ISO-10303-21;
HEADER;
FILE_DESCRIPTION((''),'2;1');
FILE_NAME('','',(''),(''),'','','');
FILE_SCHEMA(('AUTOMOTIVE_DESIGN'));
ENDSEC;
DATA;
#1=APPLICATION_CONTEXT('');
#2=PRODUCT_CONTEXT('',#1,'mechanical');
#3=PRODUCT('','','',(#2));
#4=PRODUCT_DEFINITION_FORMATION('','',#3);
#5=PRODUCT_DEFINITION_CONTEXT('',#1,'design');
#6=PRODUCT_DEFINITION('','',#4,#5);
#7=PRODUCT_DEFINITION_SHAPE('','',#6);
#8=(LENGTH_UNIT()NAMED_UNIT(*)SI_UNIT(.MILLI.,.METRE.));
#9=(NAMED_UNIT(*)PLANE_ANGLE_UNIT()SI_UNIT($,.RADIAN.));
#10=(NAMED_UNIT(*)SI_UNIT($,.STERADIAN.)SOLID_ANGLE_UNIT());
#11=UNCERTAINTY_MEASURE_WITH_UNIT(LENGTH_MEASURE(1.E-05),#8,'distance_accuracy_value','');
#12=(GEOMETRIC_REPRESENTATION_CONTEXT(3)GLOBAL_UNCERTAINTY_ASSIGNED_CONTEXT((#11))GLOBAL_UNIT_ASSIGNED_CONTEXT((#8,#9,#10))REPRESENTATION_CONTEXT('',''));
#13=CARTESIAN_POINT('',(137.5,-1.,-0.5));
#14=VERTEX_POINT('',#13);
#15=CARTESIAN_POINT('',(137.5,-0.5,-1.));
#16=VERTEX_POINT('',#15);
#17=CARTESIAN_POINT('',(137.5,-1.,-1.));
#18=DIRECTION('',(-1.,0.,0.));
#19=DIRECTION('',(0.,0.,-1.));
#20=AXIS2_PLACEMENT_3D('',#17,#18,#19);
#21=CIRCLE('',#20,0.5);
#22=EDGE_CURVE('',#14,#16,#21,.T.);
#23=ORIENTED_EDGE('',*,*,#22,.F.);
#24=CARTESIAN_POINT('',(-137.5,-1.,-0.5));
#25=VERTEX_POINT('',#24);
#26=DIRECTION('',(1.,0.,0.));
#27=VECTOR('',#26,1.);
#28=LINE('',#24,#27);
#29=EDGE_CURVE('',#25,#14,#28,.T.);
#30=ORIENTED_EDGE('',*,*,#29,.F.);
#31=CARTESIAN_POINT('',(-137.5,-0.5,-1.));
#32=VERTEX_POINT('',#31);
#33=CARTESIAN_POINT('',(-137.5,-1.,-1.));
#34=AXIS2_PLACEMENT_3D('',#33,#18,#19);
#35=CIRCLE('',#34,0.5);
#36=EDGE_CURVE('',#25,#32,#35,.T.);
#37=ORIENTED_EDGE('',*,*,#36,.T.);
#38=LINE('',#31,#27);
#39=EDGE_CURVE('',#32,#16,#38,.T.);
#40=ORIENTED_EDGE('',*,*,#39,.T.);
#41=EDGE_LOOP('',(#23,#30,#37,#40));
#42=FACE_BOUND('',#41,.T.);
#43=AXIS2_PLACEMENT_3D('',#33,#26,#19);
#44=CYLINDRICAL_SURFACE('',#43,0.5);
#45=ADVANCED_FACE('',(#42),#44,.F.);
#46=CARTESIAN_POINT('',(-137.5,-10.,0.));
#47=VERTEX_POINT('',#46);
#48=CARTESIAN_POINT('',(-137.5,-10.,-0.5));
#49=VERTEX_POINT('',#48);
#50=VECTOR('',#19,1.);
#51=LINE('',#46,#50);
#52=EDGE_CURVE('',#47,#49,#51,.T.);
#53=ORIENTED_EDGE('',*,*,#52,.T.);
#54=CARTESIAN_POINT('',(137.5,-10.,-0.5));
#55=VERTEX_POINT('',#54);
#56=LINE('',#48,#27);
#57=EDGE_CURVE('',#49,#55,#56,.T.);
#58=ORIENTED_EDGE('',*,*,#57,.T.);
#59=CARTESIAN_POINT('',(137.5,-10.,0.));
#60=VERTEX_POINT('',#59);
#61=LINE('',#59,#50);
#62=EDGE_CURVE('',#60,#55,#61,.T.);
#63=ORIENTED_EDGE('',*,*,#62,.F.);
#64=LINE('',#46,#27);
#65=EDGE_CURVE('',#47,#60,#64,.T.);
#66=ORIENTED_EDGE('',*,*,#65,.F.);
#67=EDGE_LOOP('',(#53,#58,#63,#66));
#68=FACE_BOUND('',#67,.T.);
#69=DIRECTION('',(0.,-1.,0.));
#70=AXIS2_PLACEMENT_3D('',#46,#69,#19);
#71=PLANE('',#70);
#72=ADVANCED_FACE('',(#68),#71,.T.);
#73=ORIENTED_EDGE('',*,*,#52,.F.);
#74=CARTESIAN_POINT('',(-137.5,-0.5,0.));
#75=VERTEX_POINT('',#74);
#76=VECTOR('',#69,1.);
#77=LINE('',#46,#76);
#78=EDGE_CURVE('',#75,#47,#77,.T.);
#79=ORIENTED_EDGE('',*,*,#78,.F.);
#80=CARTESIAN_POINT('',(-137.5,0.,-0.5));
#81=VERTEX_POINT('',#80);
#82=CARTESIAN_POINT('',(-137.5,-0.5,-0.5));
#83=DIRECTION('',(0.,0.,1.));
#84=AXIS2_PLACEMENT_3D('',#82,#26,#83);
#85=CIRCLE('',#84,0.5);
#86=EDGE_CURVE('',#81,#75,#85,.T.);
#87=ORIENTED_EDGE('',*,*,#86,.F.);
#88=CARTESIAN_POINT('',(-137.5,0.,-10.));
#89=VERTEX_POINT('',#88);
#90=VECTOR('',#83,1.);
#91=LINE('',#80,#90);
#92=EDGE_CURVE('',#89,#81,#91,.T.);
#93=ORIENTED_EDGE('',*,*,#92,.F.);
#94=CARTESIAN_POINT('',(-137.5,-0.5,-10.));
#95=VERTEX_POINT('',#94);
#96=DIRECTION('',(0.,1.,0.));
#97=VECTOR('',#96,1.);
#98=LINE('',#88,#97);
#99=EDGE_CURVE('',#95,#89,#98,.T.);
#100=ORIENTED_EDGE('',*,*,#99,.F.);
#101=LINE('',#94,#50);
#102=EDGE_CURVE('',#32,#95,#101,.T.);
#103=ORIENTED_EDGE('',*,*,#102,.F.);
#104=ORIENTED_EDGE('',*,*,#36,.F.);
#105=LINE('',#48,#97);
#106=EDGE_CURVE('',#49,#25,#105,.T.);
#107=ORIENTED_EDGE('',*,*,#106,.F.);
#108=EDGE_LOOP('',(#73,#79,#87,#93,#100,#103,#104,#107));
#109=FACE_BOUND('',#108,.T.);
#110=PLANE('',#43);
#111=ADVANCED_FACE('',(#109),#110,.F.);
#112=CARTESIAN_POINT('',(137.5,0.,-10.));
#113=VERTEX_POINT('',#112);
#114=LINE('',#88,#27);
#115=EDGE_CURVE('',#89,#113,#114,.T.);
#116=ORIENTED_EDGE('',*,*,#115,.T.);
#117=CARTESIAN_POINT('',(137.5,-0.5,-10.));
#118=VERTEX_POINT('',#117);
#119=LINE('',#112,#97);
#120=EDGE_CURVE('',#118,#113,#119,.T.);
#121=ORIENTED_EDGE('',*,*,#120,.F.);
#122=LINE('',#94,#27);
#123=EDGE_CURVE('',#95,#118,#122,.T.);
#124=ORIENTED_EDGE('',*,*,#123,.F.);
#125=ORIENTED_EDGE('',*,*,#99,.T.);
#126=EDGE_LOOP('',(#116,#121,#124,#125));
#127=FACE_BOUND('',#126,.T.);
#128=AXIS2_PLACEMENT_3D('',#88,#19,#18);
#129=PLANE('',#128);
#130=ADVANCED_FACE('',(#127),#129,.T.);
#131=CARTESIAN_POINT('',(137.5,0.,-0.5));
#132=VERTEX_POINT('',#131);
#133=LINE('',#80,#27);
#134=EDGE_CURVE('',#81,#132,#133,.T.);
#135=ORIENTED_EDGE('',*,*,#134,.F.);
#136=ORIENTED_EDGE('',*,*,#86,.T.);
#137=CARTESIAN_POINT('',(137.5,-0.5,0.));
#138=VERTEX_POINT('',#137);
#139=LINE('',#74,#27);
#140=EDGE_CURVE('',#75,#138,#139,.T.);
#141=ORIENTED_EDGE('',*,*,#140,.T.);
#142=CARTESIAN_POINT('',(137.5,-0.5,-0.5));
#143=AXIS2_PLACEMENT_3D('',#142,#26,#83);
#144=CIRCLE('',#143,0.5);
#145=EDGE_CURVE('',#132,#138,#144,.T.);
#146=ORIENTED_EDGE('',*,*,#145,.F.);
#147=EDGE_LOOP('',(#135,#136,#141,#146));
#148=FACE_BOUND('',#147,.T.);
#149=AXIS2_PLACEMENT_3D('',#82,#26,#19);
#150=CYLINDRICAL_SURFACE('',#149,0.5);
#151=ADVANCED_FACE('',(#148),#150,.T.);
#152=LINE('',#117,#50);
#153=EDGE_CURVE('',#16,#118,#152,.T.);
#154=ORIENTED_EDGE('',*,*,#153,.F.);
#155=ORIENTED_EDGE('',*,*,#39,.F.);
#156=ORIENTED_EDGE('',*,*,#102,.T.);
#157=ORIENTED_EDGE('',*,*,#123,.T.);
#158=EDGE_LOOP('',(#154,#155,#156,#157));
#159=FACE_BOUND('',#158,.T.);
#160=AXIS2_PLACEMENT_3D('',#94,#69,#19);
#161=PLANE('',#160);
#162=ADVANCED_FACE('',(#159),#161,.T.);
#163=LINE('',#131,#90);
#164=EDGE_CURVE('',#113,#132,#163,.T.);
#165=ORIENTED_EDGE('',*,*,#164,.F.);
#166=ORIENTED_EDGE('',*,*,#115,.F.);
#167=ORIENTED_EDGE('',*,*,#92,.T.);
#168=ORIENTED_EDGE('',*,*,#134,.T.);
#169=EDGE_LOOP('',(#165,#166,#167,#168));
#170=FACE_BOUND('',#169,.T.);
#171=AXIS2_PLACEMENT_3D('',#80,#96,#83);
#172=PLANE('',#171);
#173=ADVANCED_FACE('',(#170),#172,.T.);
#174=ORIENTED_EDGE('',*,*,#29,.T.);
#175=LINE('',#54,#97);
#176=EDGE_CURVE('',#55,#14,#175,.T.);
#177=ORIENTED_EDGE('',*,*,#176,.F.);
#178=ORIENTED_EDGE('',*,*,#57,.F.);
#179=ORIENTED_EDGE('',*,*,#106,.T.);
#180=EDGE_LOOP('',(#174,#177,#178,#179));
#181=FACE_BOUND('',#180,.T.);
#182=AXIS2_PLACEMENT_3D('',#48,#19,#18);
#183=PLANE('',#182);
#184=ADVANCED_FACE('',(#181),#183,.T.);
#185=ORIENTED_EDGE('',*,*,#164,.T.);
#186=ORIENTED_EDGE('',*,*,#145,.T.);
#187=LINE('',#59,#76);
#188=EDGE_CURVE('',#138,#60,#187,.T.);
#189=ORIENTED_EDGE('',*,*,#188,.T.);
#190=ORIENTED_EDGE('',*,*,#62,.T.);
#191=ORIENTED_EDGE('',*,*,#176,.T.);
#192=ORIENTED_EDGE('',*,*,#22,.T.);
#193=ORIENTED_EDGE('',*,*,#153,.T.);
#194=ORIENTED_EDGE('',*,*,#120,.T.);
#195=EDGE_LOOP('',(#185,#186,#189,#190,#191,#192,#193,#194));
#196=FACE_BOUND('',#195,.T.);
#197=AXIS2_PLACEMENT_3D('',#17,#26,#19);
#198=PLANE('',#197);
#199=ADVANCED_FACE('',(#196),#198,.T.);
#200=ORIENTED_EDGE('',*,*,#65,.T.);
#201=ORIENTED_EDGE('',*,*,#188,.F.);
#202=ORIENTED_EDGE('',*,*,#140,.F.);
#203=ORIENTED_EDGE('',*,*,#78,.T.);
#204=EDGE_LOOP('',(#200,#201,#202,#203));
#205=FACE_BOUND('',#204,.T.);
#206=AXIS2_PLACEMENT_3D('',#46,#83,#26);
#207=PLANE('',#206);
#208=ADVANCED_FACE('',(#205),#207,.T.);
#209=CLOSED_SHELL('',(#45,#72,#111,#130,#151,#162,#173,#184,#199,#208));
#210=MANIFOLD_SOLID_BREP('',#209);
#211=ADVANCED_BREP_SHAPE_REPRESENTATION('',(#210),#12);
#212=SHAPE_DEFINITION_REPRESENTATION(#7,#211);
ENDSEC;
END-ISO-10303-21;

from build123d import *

# Parameters (mm, degrees)
BOSS_EXTRUDE1_DEPTH      = 137.5
BOSS_EXTRUDE1_DEPTH_BACK = 137.5


with BuildPart() as part:
    # Sketch1 → Boss-Extrude1 (new, two sides: drawn at the far end of the back side and taken through both)
    with BuildSketch(Plane(origin=(0, 0, 0), x_dir=(0, 0, -1), z_dir=(1, 0, 0)).offset(-BOSS_EXTRUDE1_DEPTH_BACK)):
        with BuildLine():
            Line((0, -10), (0, -0.5))
            ThreePointArc((0, -0.5), (0.146446609, -0.146446609), (0.5, 0))
            Line((0.5, 0), (10, 0))
            Line((10, 0), (10, -0.5))
            Line((10, -0.5), (1, -0.5))
            ThreePointArc((1, -0.5), (0.646446609, -0.646446609), (0.5, -1))
            Line((0.5, -1), (0.5, -10))
            Line((0.5, -10), (0, -10))
        make_face()
    extrude(amount=BOSS_EXTRUDE1_DEPTH + BOSS_EXTRUDE1_DEPTH_BACK)


solid = part.part
